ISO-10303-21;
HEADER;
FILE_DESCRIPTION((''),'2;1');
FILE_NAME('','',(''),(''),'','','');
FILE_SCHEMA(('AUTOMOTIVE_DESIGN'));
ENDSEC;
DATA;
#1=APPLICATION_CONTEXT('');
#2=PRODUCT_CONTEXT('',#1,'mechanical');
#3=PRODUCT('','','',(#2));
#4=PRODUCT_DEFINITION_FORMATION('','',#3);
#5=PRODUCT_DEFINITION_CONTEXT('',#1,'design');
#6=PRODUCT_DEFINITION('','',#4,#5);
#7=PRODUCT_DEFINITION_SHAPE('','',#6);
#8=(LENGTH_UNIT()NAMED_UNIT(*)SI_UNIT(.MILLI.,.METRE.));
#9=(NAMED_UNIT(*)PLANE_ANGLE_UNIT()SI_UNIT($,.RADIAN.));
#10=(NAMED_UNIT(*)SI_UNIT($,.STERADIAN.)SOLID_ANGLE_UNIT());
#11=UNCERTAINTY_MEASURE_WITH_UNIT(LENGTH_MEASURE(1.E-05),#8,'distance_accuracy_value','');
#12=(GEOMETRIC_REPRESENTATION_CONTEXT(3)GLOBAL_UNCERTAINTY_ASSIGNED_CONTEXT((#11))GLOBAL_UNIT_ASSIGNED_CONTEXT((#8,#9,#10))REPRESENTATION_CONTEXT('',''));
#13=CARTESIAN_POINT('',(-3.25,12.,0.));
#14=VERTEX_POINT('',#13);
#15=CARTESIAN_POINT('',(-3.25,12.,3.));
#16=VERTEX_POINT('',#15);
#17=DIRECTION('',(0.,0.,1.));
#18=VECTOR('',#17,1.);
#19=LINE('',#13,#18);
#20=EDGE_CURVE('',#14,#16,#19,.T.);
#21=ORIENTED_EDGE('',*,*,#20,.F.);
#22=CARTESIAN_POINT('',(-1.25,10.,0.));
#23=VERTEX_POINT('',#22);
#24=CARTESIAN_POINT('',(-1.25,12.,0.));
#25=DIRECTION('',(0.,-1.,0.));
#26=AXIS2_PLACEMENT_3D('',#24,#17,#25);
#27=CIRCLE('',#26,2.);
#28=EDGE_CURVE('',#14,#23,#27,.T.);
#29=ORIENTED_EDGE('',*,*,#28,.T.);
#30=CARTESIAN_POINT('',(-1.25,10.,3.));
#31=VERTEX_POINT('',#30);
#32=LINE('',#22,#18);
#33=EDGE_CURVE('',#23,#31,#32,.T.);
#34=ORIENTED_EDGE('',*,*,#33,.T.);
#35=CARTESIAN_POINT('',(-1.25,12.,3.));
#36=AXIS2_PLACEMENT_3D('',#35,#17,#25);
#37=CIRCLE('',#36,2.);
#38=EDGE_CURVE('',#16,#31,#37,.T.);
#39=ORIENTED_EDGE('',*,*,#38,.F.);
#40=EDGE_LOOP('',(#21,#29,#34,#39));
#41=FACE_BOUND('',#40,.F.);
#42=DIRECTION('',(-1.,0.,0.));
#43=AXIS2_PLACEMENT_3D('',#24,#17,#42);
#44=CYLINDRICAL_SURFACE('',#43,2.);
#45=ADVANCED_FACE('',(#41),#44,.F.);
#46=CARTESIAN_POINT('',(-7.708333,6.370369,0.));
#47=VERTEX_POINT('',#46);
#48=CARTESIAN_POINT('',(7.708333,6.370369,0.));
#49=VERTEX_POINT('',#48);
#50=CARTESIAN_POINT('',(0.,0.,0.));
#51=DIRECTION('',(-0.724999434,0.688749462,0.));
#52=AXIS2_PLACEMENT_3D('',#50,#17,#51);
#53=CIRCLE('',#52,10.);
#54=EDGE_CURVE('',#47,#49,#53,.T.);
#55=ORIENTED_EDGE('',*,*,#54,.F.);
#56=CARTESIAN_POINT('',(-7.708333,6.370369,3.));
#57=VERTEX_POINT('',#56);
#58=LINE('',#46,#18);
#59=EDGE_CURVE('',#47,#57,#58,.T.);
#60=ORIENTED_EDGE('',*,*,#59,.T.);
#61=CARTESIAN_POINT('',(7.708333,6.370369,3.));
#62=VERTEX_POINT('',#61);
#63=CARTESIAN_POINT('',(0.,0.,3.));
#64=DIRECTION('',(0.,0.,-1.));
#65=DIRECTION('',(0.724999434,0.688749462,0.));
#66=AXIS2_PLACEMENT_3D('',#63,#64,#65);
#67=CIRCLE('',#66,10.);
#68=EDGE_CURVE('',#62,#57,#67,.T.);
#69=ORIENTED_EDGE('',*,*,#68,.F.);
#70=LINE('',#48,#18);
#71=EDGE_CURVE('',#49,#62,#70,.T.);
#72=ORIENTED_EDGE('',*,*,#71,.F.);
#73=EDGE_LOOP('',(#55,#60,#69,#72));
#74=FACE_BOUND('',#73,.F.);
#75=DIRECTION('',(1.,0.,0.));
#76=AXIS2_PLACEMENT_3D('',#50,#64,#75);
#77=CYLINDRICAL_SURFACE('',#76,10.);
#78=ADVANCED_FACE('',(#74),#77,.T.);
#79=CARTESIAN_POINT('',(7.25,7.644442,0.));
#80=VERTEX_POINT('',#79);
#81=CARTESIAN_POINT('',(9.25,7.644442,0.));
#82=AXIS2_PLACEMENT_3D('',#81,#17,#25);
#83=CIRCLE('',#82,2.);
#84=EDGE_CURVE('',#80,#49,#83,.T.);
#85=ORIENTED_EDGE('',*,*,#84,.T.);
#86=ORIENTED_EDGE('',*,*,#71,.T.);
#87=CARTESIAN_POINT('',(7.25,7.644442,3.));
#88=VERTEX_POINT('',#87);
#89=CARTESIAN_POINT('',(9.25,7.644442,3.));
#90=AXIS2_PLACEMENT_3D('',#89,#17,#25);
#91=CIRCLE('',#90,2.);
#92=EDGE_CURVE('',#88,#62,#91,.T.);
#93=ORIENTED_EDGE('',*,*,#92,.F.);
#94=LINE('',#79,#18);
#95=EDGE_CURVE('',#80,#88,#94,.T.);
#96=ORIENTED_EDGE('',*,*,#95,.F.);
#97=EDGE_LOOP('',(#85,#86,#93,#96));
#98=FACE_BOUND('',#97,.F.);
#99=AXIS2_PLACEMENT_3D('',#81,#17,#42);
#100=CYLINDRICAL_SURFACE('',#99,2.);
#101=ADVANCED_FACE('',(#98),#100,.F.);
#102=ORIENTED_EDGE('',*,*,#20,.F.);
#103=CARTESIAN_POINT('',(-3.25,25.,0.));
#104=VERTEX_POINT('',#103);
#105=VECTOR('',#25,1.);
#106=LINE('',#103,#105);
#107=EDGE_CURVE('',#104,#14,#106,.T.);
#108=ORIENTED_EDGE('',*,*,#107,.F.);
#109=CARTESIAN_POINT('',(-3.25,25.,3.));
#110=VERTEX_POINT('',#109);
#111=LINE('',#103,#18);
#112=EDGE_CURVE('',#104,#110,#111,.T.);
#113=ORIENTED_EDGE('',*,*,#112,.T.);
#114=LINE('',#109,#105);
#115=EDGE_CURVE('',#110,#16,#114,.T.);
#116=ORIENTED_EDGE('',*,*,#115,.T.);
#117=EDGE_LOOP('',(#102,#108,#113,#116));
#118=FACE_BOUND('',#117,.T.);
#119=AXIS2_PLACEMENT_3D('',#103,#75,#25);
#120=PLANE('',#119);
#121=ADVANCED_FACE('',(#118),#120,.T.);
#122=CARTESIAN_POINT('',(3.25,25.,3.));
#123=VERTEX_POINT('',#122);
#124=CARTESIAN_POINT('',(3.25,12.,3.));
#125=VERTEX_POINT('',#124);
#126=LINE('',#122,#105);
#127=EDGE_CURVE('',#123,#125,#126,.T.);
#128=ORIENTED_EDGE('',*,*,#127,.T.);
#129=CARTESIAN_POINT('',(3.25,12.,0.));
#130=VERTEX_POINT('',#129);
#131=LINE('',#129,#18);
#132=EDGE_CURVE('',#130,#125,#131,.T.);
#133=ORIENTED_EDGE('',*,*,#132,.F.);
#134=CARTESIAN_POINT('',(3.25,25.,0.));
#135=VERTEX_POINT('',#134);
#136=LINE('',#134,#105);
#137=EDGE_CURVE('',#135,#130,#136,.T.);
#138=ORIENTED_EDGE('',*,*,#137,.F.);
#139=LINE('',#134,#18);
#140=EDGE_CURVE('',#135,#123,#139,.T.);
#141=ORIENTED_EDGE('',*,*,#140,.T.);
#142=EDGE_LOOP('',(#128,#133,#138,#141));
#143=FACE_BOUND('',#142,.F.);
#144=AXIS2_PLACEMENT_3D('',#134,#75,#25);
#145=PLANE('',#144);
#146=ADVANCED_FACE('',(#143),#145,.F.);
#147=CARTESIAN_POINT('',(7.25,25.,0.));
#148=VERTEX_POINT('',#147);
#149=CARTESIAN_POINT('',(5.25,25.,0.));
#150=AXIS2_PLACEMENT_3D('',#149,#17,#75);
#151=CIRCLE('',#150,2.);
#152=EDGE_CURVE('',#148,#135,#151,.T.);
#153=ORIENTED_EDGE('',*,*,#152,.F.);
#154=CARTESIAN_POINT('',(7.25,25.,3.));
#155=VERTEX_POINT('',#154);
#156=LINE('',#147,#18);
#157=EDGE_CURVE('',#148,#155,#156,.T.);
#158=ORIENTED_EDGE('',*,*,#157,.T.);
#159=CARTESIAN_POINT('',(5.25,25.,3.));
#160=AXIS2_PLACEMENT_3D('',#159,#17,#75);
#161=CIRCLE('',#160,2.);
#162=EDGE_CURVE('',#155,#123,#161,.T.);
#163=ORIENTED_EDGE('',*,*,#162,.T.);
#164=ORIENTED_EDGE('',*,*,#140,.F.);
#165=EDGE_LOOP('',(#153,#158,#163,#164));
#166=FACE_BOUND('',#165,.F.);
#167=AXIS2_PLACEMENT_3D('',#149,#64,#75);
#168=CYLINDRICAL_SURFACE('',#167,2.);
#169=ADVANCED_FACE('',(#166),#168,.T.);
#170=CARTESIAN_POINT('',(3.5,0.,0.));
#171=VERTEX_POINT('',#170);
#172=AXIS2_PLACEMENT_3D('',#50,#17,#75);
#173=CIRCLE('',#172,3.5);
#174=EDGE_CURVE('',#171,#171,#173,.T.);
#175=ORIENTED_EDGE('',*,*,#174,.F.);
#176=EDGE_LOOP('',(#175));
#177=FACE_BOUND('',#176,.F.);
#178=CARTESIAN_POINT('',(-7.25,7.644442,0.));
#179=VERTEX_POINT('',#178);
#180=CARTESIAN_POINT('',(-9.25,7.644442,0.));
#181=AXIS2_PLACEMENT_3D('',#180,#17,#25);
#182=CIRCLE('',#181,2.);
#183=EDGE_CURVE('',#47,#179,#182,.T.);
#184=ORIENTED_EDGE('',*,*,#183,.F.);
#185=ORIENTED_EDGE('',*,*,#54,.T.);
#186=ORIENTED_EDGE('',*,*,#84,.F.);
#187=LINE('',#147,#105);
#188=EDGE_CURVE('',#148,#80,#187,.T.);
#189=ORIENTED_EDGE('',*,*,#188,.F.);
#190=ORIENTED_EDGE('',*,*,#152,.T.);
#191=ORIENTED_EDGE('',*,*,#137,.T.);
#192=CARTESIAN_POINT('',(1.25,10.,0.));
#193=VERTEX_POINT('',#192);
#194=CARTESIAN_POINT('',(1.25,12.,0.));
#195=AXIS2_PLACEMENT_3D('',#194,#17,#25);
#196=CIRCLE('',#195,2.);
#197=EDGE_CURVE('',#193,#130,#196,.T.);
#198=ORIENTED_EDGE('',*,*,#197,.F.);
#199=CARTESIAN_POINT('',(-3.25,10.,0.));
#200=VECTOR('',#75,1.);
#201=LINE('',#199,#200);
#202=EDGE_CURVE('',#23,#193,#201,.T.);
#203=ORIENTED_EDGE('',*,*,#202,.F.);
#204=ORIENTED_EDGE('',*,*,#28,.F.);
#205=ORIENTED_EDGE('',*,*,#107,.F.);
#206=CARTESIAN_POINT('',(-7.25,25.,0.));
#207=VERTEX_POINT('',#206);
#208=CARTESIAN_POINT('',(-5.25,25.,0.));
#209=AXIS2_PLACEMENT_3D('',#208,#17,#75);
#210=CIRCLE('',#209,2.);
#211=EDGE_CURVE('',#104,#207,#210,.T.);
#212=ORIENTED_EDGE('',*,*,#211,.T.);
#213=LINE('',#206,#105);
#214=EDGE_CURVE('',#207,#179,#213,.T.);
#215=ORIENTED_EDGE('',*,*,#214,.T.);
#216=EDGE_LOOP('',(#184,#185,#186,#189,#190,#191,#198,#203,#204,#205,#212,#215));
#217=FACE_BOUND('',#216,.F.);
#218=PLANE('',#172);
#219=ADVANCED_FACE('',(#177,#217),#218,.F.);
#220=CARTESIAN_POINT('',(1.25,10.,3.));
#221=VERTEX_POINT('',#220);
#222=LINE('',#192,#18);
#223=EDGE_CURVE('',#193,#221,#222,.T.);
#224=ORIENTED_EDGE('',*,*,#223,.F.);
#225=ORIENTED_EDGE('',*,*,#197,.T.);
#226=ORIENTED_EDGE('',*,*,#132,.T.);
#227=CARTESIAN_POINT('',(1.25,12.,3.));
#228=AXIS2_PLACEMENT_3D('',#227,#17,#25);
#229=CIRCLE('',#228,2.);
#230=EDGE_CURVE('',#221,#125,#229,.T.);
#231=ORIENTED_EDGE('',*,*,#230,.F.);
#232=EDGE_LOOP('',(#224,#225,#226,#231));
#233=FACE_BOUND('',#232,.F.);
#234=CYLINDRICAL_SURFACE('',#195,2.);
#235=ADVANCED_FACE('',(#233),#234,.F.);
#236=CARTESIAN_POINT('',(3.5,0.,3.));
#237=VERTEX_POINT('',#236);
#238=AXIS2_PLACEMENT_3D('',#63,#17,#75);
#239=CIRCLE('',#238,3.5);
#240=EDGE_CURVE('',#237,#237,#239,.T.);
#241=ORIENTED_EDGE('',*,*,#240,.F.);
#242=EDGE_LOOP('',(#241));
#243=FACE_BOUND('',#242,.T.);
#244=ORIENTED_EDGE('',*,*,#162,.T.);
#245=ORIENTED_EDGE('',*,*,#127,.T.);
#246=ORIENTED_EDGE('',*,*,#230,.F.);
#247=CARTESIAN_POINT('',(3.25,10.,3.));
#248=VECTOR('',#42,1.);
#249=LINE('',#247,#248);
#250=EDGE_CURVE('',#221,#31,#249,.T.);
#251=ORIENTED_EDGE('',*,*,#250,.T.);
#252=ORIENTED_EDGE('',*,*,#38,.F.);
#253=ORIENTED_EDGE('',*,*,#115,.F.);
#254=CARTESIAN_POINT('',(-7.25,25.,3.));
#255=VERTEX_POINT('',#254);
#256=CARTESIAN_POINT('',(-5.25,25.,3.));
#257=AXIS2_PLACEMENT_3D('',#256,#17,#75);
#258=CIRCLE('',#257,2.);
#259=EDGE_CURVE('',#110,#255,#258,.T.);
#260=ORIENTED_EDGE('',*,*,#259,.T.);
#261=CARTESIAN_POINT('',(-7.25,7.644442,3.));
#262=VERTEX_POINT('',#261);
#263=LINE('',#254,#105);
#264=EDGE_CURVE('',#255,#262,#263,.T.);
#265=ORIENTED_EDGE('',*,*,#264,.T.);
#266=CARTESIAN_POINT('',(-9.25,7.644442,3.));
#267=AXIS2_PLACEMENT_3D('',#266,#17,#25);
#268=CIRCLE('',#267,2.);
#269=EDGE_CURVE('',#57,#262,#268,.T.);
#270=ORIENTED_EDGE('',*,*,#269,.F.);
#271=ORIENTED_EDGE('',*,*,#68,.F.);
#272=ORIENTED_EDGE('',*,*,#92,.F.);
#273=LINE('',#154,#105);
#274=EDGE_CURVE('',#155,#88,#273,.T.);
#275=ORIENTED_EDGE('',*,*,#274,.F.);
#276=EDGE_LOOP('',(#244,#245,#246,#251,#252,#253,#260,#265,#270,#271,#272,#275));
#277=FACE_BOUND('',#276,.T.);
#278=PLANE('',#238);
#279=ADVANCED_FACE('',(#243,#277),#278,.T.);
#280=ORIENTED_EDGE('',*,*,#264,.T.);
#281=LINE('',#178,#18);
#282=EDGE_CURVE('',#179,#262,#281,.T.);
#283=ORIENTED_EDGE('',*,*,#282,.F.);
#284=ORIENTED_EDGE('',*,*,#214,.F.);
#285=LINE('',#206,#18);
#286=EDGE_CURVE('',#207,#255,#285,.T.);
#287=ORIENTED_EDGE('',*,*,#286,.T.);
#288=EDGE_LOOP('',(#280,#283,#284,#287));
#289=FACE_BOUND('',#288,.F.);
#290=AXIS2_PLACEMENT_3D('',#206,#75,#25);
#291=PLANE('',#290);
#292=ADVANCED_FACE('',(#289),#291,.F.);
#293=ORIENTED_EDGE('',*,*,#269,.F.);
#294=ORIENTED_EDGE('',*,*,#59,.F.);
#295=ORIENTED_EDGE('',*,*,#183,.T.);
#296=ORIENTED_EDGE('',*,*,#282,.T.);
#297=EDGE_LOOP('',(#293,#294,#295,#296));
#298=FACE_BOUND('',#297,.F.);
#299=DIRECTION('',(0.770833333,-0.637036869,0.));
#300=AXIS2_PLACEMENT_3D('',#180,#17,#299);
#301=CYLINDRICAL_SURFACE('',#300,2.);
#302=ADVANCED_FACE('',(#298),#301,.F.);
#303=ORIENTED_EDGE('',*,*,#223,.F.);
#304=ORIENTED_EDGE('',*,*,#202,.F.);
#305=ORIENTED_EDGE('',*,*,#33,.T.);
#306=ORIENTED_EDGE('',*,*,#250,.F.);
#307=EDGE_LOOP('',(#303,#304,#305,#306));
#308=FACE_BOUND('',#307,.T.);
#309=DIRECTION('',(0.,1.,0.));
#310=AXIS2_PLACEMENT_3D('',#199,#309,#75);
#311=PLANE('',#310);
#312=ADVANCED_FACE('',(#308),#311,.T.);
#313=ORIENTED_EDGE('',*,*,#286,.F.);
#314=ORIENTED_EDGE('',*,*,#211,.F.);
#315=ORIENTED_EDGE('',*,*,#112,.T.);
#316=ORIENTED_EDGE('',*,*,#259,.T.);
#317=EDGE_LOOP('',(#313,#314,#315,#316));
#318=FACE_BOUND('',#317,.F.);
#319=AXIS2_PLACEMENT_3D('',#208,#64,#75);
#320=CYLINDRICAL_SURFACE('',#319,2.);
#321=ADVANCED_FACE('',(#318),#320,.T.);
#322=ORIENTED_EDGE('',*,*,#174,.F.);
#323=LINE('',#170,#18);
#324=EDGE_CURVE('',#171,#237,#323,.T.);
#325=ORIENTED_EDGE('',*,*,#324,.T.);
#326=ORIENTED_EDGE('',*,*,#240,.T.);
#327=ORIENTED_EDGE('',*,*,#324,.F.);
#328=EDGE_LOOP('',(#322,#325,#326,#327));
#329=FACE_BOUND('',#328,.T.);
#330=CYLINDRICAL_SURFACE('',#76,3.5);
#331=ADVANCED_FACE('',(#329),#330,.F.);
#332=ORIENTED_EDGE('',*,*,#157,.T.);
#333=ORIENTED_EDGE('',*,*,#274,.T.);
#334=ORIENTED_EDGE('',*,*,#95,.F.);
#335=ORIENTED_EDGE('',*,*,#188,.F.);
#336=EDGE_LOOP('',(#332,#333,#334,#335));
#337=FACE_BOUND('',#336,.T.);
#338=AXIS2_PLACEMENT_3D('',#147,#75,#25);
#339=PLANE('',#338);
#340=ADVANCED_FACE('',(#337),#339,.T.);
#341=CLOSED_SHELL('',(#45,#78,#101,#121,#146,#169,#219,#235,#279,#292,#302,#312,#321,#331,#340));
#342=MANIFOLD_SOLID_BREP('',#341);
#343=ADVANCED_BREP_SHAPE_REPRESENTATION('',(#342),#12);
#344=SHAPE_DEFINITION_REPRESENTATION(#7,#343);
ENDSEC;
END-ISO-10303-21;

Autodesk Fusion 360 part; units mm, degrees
sketch "Smartie Hopper servo arm" plane through (0, 0, 0) normal (0, 0, 1) x (1, 0, 0)
  circle A0 centre (0, 0) radius 10
  circle A1 centre (0, 0) radius 3.5
  line L0 (-3.25, 25) -> (-3.25, 10)
  line L1 (3.25, 25) -> (3.25, 10)
  line L2 (-7.25, 25) -> (-7.25, 6.8875)
  line L3 (7.25, 25) -> (7.25, 6.8875)
  line L4 (-3.25, 10) -> (3.25, 10)
  line L5 (-7.25, 25) -> (-3.25, 25)
  line L6 (3.25, 25) -> (7.25, 25)
  circle A2 centre (-5.25, 25) radius 2
  circle A3 centre (5.25, 25) radius 2
  dimension "d3" = 7
  dimension "d5" = 20
  dimension "d28" = 3.25
  dimension "d29" = 3.25
  dimension "d34" = 4
  dimension "d35" = 4
  dimension "d36" = 15
  dimension "d37" = 15
  dimension "d38" = 4
  dimension "d39" = 4
extrude "Extrude1" add sketch "Smartie Hopper servo arm" along normal blind 3
fillet "Fillet4" radius 2 2 edges at (3.25, 10, 1.5) (-3.25, 10, 1.5)
fillet "Fillet3" radius 2 2 edges at (7.25, 6.8875, 1.5) (-7.25, 6.8875, 1.5)
equation "stainless_steel_thickness = 3 mm" comment "The thickness of the 316 stainless steel sheets to laser cut."
equation "arm_thickness = 4 mm"
equation "d10 = stainless_steel_thickness"
equation "groove_diameter = 6.5 mm"
equation "groove_length = 17 mm"
equation "d28 = groove_diameter / 2"
equation "d29 = groove_diameter / 2"
equation "d34 = arm_thickness"
equation "d35 = arm_thickness"
equation "d36 = groove_length - ( arm_thickness / 2 )"
equation "d37 = groove_length - ( arm_thickness / 2 )"
equation "d38 = arm_thickness"
equation "d39 = arm_thickness"
